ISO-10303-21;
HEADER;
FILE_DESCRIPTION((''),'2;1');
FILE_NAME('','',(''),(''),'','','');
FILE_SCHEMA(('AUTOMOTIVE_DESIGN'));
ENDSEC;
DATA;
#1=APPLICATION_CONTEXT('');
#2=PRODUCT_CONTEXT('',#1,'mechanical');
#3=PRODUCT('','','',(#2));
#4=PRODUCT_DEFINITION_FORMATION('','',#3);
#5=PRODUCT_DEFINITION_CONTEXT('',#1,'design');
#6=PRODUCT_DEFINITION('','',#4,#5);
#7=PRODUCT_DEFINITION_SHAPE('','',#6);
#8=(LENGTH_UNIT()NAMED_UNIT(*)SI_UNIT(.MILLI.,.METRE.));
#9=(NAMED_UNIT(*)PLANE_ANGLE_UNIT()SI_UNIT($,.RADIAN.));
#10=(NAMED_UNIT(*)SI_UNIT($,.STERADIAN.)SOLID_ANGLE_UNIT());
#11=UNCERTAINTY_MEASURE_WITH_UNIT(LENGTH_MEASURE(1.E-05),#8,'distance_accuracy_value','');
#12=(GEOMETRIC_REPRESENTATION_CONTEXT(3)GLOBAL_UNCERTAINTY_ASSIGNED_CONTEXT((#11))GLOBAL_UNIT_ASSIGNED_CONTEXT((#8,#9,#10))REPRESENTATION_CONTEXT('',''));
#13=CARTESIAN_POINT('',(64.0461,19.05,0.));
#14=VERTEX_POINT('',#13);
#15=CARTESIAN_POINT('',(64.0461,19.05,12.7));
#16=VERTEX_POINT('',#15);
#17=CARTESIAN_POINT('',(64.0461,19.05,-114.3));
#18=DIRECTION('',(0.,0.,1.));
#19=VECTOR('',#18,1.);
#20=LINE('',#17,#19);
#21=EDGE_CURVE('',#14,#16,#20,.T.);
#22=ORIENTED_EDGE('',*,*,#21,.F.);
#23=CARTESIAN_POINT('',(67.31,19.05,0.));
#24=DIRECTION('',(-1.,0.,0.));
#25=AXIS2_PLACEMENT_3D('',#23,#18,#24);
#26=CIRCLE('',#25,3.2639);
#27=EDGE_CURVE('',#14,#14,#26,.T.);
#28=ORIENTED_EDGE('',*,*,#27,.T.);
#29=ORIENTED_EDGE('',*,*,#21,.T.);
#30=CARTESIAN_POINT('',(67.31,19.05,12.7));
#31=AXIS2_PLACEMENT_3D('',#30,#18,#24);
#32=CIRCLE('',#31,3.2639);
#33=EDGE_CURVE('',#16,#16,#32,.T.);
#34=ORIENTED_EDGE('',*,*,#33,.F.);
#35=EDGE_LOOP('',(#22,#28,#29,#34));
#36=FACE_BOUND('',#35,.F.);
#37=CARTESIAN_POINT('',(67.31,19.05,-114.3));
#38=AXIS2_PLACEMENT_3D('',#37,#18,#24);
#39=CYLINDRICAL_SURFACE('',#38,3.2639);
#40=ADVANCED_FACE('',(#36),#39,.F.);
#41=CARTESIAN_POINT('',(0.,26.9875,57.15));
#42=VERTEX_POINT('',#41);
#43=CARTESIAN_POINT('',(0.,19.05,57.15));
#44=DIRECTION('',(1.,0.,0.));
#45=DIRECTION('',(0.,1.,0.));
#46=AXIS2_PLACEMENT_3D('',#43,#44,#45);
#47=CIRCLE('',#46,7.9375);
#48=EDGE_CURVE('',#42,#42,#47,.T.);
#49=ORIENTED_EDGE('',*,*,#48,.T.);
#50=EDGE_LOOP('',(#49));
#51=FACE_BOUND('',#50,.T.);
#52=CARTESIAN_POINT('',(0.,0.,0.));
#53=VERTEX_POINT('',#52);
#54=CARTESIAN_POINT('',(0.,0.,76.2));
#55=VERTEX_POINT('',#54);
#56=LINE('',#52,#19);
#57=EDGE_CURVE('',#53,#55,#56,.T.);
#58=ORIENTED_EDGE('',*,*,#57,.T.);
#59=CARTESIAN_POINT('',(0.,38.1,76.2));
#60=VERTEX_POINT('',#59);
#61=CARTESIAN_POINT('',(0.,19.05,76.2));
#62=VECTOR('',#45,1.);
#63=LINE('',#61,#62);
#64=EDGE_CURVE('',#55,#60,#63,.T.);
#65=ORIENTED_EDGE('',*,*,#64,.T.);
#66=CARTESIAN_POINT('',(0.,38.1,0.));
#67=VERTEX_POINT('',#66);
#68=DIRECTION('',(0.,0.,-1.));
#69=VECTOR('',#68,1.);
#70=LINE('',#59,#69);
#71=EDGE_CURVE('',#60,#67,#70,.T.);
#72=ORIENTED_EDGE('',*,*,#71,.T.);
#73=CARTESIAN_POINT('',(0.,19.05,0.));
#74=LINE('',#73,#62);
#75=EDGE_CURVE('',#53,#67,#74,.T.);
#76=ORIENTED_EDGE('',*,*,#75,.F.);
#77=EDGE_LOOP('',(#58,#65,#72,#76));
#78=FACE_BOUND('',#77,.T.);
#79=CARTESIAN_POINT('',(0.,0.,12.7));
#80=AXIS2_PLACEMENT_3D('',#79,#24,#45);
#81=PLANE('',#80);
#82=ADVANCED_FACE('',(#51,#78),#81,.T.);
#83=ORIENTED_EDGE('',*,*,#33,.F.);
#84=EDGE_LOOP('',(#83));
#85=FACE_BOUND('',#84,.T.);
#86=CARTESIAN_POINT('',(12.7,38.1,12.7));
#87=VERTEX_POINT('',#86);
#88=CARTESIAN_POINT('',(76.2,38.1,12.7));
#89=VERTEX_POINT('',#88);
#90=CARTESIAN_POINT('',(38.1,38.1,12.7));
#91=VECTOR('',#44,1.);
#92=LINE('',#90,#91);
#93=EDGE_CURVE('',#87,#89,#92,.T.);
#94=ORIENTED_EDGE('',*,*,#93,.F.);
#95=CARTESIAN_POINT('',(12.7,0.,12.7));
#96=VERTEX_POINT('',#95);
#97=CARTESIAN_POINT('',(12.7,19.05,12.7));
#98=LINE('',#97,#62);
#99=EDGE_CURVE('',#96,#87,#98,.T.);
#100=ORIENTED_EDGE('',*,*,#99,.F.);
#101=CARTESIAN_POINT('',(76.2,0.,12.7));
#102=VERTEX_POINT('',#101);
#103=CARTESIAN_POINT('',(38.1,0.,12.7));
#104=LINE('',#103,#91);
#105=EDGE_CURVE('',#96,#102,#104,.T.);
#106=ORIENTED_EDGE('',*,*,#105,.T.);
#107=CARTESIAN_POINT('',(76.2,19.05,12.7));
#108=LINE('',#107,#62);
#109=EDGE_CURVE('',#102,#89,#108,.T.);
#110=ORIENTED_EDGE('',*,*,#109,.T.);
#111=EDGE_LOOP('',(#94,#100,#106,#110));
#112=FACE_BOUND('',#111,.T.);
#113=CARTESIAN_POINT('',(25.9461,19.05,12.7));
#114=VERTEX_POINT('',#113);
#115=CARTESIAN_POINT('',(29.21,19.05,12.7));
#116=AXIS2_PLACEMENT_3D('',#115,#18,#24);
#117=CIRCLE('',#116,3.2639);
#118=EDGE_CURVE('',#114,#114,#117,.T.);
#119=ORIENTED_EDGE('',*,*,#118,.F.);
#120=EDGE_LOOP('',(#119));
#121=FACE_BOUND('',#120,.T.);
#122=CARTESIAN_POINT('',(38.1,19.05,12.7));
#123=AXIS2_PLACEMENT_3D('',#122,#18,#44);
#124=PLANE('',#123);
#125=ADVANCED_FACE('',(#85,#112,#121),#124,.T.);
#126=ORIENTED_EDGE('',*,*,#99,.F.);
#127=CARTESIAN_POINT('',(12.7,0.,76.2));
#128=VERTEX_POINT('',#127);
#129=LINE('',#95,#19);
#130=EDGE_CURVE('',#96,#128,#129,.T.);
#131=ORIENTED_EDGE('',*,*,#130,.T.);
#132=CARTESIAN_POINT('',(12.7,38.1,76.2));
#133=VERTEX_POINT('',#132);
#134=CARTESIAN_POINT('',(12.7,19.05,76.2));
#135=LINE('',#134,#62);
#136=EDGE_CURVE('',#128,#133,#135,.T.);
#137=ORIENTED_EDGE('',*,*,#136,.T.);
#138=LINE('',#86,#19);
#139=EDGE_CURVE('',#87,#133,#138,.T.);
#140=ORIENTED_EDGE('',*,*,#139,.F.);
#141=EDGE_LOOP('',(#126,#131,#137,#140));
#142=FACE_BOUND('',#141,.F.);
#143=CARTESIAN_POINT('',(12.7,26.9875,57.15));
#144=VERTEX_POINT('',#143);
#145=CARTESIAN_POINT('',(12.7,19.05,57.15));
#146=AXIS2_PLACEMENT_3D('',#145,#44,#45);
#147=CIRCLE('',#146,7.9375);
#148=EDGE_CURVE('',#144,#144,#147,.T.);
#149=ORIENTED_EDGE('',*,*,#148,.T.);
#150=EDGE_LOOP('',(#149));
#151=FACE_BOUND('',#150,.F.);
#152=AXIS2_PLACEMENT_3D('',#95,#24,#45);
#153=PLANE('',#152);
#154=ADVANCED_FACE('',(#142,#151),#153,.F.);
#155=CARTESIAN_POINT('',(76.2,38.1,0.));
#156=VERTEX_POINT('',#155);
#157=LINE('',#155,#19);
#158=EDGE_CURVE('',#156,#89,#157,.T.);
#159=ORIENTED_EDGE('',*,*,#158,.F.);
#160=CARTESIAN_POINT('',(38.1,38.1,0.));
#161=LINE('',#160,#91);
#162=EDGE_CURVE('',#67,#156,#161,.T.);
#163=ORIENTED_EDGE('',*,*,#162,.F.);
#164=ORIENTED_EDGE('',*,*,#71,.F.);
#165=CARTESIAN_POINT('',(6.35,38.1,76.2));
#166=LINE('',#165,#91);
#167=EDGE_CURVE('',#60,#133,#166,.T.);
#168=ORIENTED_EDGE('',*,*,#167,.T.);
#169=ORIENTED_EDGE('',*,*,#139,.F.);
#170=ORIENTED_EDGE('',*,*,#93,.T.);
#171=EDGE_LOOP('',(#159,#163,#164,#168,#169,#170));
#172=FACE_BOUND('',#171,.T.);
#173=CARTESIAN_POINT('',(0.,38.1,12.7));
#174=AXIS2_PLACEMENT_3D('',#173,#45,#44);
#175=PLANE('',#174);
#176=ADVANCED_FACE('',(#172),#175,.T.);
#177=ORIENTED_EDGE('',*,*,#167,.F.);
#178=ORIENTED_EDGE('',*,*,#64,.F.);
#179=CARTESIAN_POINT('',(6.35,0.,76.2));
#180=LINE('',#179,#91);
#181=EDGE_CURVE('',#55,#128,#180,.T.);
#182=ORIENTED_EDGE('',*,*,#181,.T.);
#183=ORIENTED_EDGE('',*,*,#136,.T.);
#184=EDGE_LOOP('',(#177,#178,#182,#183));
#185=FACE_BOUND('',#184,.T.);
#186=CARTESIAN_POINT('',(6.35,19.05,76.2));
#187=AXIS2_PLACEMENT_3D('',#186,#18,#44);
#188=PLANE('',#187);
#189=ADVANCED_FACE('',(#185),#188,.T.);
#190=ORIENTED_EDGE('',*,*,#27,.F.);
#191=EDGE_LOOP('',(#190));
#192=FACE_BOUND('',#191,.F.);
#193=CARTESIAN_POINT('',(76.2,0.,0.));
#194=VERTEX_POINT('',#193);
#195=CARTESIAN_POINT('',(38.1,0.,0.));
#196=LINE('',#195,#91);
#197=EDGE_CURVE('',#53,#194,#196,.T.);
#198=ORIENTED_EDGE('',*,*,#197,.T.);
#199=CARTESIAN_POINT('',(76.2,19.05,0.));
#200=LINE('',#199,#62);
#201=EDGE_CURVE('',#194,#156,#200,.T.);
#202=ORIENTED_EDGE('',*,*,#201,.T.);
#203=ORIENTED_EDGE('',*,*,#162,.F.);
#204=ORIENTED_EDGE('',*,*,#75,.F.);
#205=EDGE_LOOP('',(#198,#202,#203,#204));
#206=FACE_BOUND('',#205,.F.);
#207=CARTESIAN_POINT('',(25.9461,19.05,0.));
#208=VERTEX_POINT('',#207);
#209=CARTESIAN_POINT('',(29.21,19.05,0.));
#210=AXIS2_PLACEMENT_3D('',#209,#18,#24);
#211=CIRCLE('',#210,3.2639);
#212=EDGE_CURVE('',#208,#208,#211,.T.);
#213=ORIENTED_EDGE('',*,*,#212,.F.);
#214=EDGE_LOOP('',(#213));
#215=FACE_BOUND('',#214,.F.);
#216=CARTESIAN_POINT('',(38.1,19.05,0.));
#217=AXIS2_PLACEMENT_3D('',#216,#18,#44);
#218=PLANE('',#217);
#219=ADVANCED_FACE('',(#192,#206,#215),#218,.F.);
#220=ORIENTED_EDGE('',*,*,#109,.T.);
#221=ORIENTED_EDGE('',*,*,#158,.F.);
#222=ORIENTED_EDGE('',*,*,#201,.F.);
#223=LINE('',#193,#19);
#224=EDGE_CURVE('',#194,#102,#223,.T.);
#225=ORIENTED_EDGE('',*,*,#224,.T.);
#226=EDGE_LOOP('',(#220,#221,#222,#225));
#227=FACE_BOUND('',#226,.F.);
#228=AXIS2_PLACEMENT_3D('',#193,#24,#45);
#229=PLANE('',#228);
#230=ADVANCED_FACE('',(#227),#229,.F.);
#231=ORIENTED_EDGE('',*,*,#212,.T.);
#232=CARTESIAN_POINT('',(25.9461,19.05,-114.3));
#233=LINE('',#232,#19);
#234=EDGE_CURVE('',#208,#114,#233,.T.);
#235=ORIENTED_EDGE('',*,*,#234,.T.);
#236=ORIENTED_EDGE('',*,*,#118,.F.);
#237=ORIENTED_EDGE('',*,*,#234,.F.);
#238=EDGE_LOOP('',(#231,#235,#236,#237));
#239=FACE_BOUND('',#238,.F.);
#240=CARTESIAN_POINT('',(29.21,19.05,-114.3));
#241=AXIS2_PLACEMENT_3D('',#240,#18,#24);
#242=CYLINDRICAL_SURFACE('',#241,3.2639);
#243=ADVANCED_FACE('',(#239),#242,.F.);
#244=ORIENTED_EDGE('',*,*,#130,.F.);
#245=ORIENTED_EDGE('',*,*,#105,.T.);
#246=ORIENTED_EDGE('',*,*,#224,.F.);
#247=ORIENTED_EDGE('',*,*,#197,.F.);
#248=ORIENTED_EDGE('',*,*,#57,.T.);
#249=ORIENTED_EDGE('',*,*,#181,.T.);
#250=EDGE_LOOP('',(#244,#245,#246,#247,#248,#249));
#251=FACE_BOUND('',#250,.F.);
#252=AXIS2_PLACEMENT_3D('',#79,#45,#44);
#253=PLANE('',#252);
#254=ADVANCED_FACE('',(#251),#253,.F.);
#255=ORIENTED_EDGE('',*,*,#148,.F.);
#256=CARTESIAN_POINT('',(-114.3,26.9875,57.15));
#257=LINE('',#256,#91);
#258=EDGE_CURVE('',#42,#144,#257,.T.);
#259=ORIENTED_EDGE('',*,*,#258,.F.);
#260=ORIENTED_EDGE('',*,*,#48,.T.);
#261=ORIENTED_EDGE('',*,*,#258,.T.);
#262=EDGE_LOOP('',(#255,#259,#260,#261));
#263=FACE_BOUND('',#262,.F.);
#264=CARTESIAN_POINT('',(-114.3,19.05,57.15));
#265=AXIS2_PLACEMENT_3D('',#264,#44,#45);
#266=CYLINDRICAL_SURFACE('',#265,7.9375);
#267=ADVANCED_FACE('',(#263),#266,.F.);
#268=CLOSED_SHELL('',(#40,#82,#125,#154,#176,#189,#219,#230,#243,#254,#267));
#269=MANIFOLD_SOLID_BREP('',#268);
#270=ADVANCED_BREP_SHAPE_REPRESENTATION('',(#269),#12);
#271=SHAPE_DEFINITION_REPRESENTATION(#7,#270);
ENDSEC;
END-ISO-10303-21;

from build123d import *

# Parameters (mm, degrees)
F0_W     = 76.2
F0_H     = 38.1
F1_DEPTH = 12.7
F2_W     = 12.7
F2_H     = 38.1
F3_DEPTH = 63.5
F5_D     = 15.875
F7_D     = 6.5278


with BuildPart() as f1:
    # F0 (on Top) → F1 (new body)
    with BuildSketch(Plane.XY):
        with Locations((38.1, 19.05)):
            Rectangle(F0_W, F0_H)
    extrude(amount=F1_DEPTH)

    # F2 (on face) → F3 (join)
    with BuildSketch(Plane.XY.offset(12.7)):
        with Locations((6.35, 19.05)):
            Rectangle(F2_W, F2_H)
    extrude(amount=F3_DEPTH)

    # F5 (through all)
    with Locations(Plane(origin=(0, 0, 0), x_dir=(0, -1, 0), z_dir=(-1, 0, 0))):
        with Locations((-19.05, 57.15)):
            Hole(F5_D / 2)

    # F7 (through all)
    with Locations(Plane(origin=(0, 0, 0), x_dir=(1, 0, 0), z_dir=(0, 0, -1))):
        with Locations((67.31, -19.05), (29.21, -19.05)):
            Hole(F7_D / 2)


solid = f1.part
